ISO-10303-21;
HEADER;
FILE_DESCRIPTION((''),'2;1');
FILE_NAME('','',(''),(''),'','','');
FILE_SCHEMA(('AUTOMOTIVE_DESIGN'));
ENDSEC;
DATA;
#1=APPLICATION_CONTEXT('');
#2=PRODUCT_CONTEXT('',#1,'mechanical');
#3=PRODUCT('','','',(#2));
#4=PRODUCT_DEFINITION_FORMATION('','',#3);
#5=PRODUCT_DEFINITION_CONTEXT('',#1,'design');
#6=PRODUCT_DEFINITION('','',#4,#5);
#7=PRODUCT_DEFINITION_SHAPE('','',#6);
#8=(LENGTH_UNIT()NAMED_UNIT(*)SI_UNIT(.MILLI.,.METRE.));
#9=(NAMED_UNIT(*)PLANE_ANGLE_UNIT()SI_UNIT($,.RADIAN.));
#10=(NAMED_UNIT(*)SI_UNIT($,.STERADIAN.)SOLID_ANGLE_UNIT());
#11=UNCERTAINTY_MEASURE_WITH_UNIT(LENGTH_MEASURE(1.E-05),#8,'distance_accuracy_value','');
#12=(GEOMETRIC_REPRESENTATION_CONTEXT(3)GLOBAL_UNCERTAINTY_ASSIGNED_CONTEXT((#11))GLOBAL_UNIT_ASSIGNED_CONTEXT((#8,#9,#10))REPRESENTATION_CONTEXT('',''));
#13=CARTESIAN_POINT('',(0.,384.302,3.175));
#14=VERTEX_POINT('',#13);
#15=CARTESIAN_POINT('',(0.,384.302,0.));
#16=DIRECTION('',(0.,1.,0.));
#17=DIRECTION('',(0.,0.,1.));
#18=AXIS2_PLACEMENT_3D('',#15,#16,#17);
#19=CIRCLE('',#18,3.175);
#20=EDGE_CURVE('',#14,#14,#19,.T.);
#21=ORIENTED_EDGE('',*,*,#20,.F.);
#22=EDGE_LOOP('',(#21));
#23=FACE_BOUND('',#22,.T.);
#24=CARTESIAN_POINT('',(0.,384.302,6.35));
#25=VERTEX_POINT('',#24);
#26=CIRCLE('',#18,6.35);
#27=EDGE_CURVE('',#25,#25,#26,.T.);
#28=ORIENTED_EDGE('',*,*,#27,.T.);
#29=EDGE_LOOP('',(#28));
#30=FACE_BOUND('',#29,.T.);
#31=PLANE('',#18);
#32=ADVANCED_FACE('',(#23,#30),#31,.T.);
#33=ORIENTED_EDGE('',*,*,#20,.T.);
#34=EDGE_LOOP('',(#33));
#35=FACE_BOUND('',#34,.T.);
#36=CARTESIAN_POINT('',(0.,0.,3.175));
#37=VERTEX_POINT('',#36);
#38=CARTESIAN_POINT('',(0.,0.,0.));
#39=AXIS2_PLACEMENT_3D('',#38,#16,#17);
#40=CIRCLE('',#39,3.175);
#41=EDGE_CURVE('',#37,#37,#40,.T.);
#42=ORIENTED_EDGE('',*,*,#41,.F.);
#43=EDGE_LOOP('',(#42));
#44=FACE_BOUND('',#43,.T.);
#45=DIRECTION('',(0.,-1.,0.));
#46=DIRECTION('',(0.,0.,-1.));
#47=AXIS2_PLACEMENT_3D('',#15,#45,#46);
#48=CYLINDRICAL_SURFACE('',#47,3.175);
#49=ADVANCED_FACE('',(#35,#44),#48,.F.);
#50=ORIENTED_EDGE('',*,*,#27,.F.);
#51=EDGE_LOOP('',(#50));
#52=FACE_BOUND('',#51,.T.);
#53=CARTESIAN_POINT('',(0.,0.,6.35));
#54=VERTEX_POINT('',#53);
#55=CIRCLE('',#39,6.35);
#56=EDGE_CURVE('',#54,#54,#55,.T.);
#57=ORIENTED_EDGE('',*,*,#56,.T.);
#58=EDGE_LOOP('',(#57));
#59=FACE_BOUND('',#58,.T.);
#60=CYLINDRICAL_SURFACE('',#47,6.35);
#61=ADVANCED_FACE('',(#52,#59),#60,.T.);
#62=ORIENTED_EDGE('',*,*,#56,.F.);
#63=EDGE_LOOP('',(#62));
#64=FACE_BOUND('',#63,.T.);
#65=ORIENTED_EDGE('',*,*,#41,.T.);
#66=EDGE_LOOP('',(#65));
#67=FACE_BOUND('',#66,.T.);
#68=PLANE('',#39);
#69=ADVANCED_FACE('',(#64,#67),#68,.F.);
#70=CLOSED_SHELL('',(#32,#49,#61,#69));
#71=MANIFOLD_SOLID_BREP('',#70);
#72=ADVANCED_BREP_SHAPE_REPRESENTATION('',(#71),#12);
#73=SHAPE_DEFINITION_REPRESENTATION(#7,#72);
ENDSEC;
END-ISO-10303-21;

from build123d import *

# Parameters (mm, degrees)
SKETCH1_R           = 6.35
SKETCH1_R_2         = 3.175
BOSS_EXTRUDE1_DEPTH = 384.302


with BuildPart() as part:
    # Sketch1 → Boss-Extrude1 (new body)
    with BuildSketch(Plane(origin=(0, 0, 0), x_dir=(1, 0, 0), z_dir=(0, 1, 0))):
        with Locations(Location((0, 0, 0), (0, 0, 270))):
            Circle(SKETCH1_R)
        with Locations(Location((0, 0, 0), (0, 0, 270))):
            Circle(SKETCH1_R_2, mode=Mode.SUBTRACT)
    extrude(amount=BOSS_EXTRUDE1_DEPTH)


solid = part.part
